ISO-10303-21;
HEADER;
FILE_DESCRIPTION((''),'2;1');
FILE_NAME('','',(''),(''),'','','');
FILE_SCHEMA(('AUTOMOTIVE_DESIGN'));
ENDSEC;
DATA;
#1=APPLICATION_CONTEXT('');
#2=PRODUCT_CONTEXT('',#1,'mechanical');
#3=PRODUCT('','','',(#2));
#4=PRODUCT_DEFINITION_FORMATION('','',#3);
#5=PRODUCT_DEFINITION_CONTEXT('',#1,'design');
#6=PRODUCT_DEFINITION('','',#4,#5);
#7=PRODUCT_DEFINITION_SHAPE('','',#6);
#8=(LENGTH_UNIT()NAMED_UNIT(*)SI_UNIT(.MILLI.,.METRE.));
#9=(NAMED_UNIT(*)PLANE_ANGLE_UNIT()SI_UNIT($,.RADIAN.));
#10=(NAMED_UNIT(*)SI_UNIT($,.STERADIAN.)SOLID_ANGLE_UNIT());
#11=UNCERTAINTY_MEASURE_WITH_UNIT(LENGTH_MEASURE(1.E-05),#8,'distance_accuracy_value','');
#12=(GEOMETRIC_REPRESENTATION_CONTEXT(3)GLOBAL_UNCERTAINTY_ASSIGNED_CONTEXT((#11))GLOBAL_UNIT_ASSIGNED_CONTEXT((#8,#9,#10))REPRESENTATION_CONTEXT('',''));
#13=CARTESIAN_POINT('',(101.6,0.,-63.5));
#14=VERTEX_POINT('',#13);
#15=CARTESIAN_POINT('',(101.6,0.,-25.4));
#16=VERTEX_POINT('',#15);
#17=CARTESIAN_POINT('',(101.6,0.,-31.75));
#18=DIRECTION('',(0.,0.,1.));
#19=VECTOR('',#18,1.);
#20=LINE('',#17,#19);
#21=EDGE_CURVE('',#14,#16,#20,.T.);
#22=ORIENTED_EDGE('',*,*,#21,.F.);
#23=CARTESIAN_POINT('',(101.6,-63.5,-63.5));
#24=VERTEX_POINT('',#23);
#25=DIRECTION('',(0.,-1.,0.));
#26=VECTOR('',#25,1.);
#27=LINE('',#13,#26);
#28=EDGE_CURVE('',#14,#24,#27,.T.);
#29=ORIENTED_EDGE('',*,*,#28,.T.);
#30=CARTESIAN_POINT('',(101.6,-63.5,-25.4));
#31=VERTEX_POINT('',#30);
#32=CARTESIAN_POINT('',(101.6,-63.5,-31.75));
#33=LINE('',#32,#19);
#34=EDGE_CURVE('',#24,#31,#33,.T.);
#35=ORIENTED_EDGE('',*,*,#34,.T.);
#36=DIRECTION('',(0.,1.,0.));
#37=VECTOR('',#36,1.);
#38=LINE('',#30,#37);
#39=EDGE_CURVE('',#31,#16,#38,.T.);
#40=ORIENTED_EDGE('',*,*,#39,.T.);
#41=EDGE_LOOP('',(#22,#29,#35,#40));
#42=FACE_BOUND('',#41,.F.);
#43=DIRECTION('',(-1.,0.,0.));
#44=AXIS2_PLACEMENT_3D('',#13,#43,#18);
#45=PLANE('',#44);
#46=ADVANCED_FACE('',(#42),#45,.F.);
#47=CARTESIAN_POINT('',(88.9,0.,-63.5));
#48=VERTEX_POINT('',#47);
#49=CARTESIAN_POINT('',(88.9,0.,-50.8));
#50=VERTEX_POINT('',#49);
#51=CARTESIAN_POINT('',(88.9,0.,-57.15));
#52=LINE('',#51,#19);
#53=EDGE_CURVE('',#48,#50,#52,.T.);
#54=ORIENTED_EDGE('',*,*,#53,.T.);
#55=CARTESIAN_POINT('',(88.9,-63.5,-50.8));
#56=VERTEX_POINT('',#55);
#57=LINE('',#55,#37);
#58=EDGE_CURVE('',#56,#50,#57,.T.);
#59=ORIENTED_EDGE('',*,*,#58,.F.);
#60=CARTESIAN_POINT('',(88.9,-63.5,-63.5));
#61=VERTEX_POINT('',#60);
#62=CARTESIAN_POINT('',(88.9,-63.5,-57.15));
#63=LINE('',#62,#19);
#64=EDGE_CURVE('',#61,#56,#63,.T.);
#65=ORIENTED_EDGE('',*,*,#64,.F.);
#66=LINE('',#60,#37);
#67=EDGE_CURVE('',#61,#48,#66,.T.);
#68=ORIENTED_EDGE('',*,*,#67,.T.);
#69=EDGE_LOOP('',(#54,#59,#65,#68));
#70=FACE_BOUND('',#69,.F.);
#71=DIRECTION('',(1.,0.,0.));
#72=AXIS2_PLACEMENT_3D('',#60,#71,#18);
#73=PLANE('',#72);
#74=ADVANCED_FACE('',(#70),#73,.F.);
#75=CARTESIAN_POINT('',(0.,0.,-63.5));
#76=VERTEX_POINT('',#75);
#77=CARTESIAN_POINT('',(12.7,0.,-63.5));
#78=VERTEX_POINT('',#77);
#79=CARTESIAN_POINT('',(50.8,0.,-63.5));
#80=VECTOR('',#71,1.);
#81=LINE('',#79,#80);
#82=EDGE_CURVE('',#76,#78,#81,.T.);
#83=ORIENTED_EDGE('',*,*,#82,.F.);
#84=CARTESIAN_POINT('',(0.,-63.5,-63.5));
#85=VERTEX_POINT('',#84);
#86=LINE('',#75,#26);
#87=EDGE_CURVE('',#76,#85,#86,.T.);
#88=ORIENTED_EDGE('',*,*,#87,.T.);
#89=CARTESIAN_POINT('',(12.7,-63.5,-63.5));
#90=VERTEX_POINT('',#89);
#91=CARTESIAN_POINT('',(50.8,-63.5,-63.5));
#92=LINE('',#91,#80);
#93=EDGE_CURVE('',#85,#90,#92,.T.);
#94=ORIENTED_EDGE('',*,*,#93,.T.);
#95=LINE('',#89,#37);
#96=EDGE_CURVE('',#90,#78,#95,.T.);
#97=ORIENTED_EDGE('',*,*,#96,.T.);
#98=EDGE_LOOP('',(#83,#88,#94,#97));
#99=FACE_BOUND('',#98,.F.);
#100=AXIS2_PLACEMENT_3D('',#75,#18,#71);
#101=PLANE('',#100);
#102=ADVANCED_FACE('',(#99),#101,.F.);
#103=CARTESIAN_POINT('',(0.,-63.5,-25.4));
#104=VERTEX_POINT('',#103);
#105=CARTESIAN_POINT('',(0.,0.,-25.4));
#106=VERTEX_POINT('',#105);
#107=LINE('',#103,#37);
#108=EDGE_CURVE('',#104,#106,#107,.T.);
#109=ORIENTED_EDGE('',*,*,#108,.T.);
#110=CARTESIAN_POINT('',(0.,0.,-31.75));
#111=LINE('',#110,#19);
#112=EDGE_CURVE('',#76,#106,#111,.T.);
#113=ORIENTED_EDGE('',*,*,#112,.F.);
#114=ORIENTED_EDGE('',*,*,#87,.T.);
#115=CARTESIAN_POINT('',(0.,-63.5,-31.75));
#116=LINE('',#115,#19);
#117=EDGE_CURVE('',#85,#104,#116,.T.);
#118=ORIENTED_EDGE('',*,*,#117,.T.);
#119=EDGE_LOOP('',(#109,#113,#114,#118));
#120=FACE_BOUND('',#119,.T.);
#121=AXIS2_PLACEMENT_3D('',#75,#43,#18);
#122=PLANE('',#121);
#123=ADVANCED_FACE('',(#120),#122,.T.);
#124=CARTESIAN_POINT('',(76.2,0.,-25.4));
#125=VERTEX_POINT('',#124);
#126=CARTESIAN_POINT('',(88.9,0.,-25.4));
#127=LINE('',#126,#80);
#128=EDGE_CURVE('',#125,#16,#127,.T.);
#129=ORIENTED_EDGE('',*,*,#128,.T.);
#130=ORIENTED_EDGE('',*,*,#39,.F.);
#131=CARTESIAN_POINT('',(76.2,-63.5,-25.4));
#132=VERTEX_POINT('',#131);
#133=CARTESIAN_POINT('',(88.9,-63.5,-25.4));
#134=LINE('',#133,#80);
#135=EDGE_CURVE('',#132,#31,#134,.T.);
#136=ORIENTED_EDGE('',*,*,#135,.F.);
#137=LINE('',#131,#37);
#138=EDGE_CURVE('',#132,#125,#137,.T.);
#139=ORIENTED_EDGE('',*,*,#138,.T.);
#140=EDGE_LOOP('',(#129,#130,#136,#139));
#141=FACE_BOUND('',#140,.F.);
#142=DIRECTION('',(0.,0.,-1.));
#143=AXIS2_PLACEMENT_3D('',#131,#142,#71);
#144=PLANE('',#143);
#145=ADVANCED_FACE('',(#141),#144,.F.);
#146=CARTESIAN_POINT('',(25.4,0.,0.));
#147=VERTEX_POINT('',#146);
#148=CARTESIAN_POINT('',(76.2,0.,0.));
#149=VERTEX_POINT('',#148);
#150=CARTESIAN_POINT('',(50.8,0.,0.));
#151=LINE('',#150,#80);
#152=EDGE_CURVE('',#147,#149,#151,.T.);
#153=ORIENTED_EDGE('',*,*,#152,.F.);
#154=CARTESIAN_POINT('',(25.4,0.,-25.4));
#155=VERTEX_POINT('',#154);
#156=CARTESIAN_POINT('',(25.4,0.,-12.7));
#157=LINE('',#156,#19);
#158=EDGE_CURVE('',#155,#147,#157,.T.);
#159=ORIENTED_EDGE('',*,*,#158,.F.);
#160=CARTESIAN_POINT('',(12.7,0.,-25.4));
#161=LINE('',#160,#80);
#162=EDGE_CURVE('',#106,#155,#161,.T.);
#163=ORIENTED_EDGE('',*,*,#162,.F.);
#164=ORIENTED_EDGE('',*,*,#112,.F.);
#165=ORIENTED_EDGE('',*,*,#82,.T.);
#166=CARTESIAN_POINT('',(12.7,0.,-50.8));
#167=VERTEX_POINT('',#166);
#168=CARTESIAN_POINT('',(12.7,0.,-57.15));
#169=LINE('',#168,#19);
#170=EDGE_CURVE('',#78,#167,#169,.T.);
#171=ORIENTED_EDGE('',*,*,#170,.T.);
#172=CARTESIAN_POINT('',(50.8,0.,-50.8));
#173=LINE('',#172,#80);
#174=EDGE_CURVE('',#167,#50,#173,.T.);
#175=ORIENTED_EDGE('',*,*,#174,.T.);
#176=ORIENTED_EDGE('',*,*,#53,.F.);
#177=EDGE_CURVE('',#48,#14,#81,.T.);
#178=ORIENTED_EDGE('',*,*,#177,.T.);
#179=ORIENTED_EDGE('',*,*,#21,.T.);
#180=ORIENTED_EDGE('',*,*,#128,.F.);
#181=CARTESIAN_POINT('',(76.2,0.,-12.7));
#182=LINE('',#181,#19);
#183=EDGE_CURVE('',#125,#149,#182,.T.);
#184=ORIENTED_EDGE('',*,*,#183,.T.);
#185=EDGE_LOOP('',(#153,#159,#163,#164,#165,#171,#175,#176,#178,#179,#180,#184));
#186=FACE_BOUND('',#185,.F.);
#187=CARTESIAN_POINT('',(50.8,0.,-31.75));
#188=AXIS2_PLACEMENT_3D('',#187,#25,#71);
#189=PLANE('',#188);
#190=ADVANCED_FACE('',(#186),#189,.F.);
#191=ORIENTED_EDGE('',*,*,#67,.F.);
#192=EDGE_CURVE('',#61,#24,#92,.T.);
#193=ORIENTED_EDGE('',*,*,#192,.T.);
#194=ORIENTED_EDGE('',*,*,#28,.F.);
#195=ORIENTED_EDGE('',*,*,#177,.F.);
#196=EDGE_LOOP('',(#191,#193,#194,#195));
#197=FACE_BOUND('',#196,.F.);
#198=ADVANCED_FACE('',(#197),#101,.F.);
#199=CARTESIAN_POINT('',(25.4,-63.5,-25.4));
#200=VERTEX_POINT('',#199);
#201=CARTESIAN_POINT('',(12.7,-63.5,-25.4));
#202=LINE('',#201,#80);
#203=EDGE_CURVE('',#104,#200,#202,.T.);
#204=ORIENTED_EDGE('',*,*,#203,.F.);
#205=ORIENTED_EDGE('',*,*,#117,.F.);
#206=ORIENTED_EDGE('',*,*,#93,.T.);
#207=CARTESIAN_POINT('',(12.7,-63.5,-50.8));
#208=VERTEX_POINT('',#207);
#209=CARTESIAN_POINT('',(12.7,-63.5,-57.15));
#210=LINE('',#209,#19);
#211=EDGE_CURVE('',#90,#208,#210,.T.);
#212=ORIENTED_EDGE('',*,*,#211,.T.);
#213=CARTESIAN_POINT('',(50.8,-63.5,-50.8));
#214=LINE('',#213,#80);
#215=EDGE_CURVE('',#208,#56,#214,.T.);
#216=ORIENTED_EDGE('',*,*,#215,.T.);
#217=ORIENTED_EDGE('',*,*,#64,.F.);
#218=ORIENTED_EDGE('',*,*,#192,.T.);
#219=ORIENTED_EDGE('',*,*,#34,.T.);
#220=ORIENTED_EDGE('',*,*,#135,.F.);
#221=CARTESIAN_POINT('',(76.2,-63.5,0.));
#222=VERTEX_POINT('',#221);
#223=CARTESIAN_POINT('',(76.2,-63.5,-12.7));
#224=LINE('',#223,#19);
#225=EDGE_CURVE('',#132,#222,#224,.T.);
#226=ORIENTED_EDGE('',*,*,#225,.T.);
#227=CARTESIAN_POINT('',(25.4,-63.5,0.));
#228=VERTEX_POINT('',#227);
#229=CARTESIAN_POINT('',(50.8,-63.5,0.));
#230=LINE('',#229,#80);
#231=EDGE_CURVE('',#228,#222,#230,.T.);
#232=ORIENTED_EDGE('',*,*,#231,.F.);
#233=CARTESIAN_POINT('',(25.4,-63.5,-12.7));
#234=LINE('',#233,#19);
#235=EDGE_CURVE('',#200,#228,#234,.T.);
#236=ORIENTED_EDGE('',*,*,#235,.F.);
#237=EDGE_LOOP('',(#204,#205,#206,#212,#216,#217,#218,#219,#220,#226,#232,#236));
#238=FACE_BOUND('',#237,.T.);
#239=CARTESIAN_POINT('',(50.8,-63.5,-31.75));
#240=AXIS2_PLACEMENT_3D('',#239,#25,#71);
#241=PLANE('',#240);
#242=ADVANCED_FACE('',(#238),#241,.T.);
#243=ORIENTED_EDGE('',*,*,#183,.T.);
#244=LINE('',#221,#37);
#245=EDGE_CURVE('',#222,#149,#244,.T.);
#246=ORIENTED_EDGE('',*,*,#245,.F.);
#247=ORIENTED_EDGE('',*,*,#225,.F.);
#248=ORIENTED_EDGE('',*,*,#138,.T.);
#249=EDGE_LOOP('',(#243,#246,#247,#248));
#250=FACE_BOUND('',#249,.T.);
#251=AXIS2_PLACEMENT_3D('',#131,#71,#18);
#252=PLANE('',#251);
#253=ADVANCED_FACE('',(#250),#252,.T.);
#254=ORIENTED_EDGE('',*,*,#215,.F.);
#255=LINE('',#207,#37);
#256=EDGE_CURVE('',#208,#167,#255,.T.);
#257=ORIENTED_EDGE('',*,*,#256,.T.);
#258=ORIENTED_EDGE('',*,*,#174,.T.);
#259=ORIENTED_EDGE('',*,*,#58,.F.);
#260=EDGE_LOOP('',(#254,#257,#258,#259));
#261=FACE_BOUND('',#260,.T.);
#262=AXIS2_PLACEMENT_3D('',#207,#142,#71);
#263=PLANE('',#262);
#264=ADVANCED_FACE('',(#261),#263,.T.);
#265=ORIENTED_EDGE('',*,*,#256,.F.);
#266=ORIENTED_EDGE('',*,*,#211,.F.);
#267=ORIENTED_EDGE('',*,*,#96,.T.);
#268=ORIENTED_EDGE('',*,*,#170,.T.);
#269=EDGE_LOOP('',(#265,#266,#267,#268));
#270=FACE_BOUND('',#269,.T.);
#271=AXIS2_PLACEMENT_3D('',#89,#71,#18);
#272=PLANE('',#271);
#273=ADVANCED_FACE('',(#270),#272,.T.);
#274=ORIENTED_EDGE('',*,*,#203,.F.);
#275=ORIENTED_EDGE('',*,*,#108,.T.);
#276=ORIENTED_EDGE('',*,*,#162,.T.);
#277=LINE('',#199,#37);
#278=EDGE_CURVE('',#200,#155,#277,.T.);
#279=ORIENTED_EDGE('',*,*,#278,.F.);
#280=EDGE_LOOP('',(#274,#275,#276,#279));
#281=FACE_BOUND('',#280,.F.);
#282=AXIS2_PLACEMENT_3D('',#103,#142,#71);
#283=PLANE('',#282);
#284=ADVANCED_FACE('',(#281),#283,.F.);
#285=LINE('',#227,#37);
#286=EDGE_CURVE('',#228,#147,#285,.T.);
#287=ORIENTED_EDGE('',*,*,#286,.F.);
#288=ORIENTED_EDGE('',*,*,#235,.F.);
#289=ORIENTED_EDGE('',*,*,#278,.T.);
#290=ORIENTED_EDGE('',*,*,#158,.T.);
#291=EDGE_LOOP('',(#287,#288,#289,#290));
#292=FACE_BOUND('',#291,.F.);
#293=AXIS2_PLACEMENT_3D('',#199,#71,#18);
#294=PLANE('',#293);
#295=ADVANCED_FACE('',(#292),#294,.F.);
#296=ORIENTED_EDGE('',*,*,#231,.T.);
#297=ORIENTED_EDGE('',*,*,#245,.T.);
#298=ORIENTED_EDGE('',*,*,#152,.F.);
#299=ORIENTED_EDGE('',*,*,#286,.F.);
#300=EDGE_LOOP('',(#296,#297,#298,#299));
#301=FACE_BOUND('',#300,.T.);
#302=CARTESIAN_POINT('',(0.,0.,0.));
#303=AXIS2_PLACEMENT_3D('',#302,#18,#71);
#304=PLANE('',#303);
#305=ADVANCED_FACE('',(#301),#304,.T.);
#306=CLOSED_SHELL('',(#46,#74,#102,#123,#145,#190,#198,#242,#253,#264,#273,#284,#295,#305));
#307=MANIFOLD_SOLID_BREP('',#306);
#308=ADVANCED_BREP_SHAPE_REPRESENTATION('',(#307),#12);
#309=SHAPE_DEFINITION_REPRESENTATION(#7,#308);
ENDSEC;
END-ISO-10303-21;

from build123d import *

# Parameters (mm, degrees)
F0_W     = 101.6
F0_H     = 63.5
F1_DEPTH = 63.5
F2_W     = 76.2
F2_H     = 12.7
F3_DEPTH = 63.5
F4_W     = 25.4
F4_H     = 25.4
F5_DEPTH = 63.5
F6_W     = 25.4
F6_H     = 25.4
F7_DEPTH = 63.5


with BuildPart() as f1:
    # F0 (on Front) → F1 (new body)
    with BuildSketch(Plane.XZ):
        with Locations((50.8, -31.75)):
            Rectangle(F0_W, F0_H)
    extrude(amount=F1_DEPTH)

    # F2 (on face) → F3 (cut)
    with BuildSketch(Plane.XZ.offset(63.5)):
        with Locations((50.8, -57.15)):
            Rectangle(F2_W, F2_H)
    extrude(amount=-F3_DEPTH, mode=Mode.SUBTRACT)

    # F4 (on face) → F5 (cut)
    with BuildSketch(Plane.XZ.offset(63.5)):
        with Locations((88.9, -12.7)):
            Rectangle(F4_W, F4_H)
    extrude(amount=-F5_DEPTH, mode=Mode.SUBTRACT)

    # F6 (on face) → F7 (cut)
    with BuildSketch(Plane.XZ.offset(63.5)):
        with Locations((12.7, -12.7)):
            Rectangle(F6_W, F6_H)
    extrude(amount=-F7_DEPTH, mode=Mode.SUBTRACT)


solid = f1.part
